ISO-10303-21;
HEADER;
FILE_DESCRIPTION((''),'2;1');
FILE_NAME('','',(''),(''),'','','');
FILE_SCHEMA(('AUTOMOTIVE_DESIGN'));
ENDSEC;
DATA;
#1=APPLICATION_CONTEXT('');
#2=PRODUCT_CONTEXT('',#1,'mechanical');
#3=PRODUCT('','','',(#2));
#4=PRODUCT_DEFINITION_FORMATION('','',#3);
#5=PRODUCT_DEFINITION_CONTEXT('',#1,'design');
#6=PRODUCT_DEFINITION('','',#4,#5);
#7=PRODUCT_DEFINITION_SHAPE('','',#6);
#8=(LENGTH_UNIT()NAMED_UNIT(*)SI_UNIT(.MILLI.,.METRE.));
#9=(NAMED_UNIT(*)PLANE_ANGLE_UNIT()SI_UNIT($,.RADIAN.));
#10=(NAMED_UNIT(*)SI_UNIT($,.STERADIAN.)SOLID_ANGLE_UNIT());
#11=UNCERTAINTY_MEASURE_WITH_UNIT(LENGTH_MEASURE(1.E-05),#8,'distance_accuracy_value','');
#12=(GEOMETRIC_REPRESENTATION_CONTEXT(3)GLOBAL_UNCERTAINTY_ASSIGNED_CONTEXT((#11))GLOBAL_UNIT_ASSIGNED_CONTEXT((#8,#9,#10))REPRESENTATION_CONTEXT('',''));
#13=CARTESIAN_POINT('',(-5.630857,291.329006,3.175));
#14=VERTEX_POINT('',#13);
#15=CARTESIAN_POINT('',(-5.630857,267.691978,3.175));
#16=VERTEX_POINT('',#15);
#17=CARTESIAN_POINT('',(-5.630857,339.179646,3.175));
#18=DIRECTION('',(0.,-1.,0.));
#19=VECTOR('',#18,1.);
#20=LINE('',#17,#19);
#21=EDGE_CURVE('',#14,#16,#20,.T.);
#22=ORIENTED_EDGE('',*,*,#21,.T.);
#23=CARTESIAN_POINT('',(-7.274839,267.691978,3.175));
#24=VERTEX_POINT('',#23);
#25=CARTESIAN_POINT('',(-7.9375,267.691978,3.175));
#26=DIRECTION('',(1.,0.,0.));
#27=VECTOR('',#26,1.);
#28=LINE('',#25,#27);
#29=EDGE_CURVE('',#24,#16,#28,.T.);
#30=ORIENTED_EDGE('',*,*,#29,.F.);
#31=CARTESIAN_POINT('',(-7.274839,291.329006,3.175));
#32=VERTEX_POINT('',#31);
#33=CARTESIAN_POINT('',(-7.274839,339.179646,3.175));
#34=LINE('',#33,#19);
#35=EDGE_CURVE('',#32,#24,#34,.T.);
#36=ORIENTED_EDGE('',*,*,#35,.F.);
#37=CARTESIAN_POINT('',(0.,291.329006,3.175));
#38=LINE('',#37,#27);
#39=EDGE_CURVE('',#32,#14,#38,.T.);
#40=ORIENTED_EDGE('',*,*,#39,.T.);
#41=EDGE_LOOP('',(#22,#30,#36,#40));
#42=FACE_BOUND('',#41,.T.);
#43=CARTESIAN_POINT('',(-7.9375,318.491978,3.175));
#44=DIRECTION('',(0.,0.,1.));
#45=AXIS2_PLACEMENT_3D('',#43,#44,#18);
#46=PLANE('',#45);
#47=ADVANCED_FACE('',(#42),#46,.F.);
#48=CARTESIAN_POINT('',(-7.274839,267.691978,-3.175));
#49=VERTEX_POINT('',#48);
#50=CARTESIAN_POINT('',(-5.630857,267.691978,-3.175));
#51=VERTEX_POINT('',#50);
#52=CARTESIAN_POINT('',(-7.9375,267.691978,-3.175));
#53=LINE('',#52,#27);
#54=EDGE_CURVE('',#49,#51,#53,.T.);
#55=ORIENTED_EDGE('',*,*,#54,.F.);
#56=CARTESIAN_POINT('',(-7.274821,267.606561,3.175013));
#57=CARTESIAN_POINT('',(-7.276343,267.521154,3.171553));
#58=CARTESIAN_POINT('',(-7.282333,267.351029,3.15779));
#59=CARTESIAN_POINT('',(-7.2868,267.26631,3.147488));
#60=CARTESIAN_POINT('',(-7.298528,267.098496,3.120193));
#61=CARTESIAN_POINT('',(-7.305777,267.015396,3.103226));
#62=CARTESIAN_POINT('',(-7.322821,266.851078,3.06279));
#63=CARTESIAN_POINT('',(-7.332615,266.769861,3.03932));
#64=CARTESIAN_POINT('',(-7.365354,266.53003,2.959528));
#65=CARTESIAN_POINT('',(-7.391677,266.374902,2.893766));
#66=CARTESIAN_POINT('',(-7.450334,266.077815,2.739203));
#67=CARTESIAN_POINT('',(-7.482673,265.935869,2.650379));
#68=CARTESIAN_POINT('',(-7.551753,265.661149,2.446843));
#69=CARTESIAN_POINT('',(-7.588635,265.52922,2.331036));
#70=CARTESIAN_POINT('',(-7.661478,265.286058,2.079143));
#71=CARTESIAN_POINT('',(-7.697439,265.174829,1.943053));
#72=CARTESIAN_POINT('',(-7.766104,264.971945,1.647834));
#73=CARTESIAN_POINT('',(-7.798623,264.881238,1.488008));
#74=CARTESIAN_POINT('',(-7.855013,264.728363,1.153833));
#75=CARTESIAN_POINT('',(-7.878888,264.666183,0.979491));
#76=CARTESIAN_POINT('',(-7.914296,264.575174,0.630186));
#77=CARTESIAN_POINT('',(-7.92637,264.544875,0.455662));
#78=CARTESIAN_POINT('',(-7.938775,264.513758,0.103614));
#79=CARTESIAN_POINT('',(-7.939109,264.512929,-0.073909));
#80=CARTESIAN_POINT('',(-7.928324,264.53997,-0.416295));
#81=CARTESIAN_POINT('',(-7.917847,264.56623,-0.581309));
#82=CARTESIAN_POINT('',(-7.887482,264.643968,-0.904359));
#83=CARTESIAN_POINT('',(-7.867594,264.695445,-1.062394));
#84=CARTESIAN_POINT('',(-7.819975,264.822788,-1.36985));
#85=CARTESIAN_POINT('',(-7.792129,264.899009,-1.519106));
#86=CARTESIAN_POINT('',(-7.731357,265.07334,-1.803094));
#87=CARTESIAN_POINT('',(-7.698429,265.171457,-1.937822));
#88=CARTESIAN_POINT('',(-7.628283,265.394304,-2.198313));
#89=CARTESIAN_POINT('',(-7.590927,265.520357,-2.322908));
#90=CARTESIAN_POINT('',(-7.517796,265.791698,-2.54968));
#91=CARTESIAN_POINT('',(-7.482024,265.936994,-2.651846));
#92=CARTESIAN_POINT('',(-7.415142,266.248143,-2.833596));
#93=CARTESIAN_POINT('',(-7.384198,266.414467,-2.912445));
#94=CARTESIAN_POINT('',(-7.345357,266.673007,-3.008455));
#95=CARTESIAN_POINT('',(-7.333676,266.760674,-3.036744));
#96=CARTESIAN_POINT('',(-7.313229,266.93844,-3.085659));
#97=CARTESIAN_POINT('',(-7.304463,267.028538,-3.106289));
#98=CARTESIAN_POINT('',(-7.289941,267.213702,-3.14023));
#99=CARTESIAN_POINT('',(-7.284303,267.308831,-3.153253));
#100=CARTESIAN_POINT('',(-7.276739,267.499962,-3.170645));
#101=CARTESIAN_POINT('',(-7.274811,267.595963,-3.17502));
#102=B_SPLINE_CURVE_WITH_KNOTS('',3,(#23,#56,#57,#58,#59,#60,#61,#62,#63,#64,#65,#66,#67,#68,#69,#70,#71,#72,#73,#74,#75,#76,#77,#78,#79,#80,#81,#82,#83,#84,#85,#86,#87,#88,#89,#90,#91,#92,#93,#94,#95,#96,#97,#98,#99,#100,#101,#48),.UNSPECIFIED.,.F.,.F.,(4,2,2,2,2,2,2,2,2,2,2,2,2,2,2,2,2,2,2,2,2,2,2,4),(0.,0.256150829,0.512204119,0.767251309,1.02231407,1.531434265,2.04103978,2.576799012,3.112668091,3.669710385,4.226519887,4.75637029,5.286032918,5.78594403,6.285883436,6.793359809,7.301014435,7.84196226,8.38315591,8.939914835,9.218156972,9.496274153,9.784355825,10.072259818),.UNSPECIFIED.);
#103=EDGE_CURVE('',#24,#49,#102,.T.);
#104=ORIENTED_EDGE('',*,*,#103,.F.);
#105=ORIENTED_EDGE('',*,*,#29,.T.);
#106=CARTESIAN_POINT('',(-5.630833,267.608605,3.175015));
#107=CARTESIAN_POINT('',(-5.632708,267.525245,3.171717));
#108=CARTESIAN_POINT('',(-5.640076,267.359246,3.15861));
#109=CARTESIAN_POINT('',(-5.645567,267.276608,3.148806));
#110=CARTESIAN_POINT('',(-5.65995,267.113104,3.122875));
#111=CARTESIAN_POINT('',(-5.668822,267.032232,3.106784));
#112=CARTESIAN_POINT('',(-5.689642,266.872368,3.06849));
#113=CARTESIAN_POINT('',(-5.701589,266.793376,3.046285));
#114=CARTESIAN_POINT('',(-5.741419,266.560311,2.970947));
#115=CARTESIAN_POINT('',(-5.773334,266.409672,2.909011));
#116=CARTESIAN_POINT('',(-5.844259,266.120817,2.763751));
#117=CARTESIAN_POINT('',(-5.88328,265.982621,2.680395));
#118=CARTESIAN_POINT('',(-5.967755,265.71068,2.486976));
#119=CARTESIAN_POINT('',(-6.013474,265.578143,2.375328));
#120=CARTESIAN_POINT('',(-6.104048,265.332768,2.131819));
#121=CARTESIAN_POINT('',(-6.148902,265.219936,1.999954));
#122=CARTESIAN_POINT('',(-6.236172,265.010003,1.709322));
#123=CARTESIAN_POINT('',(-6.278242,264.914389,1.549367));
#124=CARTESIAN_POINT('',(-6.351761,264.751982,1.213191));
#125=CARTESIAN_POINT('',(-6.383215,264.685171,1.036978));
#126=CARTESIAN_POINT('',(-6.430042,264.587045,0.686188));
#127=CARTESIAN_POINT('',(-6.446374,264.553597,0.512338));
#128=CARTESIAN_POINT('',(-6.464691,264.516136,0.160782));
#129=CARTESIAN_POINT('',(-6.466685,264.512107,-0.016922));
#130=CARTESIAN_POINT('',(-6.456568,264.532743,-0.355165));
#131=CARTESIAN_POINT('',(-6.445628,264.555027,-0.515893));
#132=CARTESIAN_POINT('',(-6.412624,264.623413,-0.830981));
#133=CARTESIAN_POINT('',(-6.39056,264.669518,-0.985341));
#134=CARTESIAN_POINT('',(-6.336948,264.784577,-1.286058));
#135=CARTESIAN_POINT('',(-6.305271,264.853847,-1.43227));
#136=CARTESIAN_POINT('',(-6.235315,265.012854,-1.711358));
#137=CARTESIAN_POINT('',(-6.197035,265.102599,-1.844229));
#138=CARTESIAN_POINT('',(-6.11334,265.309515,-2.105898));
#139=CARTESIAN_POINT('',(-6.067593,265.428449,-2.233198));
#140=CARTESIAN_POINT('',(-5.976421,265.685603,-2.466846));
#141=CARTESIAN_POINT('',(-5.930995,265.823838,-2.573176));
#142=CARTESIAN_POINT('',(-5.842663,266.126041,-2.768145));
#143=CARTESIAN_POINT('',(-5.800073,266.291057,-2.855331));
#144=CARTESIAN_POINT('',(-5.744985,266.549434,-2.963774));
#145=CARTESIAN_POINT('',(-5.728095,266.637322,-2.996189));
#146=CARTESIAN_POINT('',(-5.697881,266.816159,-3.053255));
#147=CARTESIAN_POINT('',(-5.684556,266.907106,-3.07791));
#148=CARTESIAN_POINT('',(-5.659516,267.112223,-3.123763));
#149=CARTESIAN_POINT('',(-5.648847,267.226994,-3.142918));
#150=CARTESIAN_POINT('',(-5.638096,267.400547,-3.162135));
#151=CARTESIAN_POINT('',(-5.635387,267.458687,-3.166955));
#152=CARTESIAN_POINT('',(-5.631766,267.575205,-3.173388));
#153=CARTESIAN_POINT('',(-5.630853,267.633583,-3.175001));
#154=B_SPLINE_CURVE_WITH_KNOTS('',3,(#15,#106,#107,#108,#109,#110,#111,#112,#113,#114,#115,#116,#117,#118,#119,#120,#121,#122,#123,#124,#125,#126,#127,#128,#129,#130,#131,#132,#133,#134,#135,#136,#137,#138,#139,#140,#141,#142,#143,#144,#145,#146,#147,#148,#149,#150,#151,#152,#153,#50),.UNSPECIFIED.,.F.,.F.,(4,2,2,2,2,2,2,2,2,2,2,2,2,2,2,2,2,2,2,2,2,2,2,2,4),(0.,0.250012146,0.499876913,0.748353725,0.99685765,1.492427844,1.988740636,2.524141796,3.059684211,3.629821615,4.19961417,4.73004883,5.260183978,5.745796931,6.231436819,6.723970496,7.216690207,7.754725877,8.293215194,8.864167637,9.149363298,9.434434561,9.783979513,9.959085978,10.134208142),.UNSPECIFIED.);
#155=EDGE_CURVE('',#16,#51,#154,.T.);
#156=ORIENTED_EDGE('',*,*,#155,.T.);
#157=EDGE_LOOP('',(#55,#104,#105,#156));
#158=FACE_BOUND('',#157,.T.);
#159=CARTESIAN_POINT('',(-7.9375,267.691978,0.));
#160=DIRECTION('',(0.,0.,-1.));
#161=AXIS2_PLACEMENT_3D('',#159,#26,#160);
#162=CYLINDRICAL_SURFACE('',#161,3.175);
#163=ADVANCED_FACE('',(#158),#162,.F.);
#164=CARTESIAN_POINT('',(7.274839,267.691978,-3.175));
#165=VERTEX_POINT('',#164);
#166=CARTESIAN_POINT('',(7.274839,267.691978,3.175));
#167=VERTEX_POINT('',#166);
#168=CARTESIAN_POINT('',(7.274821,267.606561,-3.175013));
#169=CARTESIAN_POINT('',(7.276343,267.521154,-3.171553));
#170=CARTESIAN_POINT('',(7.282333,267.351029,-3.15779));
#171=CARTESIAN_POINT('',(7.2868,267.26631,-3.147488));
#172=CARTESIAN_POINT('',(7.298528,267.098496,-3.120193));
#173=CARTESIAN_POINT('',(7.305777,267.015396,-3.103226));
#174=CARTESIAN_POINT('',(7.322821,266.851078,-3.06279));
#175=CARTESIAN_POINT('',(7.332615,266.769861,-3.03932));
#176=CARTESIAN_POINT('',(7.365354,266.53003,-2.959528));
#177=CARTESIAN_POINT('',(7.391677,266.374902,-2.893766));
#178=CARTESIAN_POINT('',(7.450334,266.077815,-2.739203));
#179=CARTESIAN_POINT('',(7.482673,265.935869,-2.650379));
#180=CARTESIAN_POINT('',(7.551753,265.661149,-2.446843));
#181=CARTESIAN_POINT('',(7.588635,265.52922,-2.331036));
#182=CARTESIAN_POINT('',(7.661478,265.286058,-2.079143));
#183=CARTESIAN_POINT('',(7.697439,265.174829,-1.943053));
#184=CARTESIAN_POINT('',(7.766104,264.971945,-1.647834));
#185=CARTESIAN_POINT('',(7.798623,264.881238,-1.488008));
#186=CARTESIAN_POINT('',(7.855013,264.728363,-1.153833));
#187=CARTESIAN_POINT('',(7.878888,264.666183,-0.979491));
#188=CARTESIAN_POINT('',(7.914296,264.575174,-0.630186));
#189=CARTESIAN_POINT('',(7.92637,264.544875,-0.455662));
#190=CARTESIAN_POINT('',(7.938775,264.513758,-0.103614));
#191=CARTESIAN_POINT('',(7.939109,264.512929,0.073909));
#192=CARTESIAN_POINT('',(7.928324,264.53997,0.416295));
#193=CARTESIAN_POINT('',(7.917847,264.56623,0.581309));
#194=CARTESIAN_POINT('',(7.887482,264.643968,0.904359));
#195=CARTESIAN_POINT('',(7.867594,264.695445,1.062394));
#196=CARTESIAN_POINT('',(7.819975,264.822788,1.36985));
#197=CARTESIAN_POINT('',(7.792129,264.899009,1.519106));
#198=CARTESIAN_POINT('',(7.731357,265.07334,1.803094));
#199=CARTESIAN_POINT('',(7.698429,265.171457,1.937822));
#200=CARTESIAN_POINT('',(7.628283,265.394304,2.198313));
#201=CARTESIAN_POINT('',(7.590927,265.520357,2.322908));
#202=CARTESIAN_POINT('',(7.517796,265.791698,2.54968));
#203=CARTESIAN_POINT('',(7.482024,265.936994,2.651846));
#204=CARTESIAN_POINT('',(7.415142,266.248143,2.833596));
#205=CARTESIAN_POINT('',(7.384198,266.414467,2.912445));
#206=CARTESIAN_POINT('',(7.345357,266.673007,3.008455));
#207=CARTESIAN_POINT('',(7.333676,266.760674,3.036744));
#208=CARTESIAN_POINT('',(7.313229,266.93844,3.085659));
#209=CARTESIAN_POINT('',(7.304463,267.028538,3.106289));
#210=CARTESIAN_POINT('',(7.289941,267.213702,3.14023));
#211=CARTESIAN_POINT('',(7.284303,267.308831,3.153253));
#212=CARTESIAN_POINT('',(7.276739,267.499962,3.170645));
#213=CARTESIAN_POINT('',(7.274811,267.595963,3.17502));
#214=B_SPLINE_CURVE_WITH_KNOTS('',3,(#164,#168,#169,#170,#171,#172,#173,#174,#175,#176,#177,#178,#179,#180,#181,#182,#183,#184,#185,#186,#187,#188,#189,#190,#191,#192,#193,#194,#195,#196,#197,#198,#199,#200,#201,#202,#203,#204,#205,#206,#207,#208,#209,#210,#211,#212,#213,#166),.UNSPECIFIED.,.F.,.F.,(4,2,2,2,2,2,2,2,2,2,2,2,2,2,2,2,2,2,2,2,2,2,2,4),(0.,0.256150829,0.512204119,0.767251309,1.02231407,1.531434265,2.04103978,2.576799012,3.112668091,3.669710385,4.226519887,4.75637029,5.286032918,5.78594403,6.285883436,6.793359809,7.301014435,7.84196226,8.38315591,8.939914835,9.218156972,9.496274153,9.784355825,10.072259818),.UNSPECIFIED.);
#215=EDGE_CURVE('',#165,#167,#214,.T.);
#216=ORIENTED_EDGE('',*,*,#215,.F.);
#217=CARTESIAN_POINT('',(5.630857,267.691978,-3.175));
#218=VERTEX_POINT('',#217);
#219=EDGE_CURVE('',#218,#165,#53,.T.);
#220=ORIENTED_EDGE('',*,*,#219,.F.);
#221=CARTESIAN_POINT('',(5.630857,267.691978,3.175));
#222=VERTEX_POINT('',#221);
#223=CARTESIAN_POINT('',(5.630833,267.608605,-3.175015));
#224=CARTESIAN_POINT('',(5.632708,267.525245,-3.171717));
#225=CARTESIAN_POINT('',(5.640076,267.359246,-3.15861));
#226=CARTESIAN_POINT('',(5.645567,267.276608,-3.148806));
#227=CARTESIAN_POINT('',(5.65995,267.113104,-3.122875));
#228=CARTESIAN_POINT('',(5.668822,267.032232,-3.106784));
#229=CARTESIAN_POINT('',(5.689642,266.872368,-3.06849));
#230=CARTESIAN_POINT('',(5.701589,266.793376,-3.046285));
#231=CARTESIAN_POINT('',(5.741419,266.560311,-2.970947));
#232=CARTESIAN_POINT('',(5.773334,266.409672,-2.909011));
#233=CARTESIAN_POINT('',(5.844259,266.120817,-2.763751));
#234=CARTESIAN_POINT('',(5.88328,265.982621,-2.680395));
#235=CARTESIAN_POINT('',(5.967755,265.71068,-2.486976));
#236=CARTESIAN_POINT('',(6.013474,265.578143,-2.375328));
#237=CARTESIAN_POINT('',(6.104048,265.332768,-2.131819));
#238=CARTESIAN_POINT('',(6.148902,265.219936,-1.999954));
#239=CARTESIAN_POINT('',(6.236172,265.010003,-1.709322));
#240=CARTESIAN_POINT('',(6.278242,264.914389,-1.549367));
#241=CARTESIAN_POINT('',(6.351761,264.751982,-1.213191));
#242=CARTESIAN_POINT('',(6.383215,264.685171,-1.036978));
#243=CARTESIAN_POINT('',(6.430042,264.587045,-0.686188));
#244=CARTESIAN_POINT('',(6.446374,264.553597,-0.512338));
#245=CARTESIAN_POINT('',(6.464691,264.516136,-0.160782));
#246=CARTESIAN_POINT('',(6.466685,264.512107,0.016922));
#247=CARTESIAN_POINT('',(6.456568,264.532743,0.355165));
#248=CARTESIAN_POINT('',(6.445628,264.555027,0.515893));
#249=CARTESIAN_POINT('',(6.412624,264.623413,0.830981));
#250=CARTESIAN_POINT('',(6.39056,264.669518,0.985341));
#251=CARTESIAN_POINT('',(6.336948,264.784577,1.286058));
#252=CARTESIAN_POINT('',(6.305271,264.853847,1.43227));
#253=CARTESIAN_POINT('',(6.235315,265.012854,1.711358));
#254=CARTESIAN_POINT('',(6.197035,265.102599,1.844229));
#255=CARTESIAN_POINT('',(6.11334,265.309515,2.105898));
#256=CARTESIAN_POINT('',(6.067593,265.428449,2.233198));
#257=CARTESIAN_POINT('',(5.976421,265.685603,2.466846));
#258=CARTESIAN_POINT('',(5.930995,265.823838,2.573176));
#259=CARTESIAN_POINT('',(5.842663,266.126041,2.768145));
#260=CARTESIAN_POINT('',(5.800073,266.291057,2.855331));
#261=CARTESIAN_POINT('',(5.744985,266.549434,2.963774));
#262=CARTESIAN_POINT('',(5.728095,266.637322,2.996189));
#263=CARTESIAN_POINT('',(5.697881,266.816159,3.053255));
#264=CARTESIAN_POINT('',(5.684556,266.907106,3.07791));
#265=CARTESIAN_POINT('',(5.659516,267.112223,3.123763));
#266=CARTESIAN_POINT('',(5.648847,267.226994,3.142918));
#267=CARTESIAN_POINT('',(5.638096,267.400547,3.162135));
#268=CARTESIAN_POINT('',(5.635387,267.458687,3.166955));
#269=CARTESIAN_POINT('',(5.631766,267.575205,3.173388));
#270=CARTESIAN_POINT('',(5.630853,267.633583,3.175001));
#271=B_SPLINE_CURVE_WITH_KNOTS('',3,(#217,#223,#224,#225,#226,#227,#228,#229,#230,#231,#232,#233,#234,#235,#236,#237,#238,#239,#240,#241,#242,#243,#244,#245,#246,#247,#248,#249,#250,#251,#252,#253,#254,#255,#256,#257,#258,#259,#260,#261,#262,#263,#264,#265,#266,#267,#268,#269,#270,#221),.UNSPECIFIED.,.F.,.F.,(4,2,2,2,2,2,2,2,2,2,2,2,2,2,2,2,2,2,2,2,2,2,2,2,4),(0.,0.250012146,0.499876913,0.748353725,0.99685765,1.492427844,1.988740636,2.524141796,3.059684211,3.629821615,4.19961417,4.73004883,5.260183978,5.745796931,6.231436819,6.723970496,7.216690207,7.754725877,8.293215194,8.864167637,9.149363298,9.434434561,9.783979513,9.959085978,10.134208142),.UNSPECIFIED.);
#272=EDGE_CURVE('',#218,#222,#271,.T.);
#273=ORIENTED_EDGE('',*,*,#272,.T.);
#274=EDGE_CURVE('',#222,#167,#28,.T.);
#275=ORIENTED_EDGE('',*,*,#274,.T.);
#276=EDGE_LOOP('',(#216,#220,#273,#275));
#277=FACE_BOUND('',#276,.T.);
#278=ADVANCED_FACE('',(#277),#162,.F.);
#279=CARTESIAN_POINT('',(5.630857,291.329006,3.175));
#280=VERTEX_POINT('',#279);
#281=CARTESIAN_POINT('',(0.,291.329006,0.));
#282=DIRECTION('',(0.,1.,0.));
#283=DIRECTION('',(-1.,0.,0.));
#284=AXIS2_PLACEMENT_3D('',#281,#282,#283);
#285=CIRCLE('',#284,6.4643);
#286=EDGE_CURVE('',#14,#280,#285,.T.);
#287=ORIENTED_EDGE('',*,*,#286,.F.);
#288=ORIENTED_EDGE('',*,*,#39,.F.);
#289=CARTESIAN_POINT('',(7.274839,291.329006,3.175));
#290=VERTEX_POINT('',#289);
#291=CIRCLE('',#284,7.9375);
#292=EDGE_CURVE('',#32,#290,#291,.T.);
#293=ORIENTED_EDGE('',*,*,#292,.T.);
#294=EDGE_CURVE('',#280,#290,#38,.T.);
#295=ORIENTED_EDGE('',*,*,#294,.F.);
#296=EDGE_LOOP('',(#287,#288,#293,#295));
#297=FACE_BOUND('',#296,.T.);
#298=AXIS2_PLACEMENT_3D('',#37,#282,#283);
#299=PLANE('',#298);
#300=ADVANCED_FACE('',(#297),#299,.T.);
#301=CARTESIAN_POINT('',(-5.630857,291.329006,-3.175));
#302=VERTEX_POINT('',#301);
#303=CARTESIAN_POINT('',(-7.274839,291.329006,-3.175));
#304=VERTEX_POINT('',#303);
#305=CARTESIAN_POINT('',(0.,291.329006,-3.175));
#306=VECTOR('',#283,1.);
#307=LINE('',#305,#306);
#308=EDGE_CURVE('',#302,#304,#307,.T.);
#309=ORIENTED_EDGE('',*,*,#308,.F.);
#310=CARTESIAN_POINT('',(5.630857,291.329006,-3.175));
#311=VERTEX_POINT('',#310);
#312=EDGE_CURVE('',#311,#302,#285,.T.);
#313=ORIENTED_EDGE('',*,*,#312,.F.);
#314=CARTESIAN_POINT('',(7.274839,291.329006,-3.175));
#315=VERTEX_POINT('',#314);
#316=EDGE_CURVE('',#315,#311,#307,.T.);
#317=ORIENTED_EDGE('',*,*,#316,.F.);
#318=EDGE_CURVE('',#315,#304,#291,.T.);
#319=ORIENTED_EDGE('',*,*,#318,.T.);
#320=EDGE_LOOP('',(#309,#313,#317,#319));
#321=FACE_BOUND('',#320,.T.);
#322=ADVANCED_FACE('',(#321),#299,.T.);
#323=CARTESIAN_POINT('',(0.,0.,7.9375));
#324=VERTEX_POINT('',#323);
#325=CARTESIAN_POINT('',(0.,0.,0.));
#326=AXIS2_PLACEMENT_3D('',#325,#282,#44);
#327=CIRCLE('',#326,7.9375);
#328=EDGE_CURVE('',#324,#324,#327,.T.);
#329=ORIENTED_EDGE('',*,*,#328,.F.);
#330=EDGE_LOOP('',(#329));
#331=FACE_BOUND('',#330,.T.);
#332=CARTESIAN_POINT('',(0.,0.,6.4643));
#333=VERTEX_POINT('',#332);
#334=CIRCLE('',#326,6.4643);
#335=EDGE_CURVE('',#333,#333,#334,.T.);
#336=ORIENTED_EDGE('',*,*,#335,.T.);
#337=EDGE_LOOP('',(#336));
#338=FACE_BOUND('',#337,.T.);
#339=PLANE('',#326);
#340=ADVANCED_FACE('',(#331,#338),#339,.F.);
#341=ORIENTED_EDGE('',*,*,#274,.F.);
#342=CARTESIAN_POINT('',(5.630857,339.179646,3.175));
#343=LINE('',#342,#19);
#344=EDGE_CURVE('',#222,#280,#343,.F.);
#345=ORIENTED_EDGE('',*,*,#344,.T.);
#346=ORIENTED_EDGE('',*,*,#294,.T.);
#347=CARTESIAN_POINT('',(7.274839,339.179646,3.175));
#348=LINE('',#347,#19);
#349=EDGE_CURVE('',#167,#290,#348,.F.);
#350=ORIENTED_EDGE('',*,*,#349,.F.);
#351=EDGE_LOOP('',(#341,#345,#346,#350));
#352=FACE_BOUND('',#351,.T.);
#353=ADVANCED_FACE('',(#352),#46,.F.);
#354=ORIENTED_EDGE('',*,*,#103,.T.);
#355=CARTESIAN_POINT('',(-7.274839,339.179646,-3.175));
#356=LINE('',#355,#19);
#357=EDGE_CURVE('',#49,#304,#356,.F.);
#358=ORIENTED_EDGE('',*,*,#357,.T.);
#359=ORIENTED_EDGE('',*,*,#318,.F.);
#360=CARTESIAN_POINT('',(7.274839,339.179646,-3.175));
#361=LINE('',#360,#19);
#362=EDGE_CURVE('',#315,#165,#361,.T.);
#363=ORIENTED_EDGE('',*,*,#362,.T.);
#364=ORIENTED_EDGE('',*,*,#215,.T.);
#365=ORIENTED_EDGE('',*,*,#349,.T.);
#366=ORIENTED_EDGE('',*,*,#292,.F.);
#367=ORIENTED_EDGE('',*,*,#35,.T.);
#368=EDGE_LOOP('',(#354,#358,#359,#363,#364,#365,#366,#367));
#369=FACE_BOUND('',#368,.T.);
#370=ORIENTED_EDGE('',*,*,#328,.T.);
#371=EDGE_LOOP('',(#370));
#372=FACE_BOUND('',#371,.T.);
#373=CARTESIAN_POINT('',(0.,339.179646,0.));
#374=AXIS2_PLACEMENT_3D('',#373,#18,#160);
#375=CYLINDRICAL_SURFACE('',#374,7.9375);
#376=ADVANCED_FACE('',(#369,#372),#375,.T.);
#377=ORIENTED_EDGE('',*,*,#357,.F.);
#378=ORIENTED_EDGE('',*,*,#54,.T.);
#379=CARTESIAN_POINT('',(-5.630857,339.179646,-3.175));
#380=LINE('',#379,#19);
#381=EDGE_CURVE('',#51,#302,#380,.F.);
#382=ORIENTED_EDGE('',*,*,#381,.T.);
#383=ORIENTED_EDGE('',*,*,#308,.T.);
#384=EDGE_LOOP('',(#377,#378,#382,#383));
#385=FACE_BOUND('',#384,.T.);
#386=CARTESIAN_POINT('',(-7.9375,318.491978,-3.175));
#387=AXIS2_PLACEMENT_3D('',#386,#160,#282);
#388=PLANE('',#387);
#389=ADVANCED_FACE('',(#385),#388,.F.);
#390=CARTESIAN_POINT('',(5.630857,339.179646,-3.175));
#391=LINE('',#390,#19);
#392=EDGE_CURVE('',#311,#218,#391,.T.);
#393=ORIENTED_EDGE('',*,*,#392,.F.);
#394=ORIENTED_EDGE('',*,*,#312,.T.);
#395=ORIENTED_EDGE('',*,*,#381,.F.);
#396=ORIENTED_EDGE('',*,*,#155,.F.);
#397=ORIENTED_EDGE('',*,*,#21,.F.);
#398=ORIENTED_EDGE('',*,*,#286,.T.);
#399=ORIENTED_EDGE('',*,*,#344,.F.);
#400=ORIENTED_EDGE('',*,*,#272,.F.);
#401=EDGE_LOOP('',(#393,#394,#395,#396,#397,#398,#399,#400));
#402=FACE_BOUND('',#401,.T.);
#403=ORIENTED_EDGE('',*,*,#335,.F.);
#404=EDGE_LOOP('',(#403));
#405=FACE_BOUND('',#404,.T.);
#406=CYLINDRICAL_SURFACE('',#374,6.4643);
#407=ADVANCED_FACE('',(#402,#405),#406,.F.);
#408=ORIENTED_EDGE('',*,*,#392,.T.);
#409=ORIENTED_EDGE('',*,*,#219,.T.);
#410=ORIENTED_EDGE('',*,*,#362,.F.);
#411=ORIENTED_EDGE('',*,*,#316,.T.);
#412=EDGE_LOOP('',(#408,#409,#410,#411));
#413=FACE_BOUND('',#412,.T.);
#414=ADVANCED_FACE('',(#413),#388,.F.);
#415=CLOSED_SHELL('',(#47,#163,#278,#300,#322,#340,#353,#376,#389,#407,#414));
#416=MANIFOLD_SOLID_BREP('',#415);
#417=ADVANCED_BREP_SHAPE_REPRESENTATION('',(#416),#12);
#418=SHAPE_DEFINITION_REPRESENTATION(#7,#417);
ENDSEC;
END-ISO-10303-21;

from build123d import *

# Parameters (mm, degrees)
SKETCH1_R               = 7.9375
SKETCH1_R_2             = 6.4643
BOSS_EXTRUDE1_DEPTH     = 291.329005832
CUT_EXTRUDE1_DEPTH      = 292.545189382
CUT_EXTRUDE1_DEPTH_BACK = 292.545189382


with BuildPart() as part:
    # Sketch1 → Boss-Extrude1 (new body)
    with BuildSketch(Plane(origin=(0, 0, 0), x_dir=(1, 0, 0), z_dir=(0, 1, 0))):
        with Locations(Location((0, 0, 0), (0, 0, 180))):
            Circle(SKETCH1_R)
        with Locations(Location((0, 0, 0), (0, 0, 180))):
            Circle(SKETCH1_R_2, mode=Mode.SUBTRACT)
    extrude(amount=BOSS_EXTRUDE1_DEPTH)

    # Sketch4 → Cut-Extrude1 (cut, two sides: drawn at the far end of the back side and taken through both)
    with BuildSketch(Plane(origin=(0, 0, 0), x_dir=(0, 0, -1), z_dir=(1, 0, 0)).offset(-CUT_EXTRUDE1_DEPTH_BACK)):
        with BuildLine():
            Line((3.175, 318.491978033), (3.175, 267.691978033))
            ThreePointArc((3.175, 267.691978033), (0, 264.516978033), (-3.175, 267.691978033))
            Line((-3.175, 267.691978033), (-3.175, 318.491978033))
            ThreePointArc((-3.175, 318.491978033), (0, 321.666978033), (3.175, 318.491978033))
        make_face()
    extrude(amount=CUT_EXTRUDE1_DEPTH + CUT_EXTRUDE1_DEPTH_BACK, mode=Mode.SUBTRACT)


solid = part.part
